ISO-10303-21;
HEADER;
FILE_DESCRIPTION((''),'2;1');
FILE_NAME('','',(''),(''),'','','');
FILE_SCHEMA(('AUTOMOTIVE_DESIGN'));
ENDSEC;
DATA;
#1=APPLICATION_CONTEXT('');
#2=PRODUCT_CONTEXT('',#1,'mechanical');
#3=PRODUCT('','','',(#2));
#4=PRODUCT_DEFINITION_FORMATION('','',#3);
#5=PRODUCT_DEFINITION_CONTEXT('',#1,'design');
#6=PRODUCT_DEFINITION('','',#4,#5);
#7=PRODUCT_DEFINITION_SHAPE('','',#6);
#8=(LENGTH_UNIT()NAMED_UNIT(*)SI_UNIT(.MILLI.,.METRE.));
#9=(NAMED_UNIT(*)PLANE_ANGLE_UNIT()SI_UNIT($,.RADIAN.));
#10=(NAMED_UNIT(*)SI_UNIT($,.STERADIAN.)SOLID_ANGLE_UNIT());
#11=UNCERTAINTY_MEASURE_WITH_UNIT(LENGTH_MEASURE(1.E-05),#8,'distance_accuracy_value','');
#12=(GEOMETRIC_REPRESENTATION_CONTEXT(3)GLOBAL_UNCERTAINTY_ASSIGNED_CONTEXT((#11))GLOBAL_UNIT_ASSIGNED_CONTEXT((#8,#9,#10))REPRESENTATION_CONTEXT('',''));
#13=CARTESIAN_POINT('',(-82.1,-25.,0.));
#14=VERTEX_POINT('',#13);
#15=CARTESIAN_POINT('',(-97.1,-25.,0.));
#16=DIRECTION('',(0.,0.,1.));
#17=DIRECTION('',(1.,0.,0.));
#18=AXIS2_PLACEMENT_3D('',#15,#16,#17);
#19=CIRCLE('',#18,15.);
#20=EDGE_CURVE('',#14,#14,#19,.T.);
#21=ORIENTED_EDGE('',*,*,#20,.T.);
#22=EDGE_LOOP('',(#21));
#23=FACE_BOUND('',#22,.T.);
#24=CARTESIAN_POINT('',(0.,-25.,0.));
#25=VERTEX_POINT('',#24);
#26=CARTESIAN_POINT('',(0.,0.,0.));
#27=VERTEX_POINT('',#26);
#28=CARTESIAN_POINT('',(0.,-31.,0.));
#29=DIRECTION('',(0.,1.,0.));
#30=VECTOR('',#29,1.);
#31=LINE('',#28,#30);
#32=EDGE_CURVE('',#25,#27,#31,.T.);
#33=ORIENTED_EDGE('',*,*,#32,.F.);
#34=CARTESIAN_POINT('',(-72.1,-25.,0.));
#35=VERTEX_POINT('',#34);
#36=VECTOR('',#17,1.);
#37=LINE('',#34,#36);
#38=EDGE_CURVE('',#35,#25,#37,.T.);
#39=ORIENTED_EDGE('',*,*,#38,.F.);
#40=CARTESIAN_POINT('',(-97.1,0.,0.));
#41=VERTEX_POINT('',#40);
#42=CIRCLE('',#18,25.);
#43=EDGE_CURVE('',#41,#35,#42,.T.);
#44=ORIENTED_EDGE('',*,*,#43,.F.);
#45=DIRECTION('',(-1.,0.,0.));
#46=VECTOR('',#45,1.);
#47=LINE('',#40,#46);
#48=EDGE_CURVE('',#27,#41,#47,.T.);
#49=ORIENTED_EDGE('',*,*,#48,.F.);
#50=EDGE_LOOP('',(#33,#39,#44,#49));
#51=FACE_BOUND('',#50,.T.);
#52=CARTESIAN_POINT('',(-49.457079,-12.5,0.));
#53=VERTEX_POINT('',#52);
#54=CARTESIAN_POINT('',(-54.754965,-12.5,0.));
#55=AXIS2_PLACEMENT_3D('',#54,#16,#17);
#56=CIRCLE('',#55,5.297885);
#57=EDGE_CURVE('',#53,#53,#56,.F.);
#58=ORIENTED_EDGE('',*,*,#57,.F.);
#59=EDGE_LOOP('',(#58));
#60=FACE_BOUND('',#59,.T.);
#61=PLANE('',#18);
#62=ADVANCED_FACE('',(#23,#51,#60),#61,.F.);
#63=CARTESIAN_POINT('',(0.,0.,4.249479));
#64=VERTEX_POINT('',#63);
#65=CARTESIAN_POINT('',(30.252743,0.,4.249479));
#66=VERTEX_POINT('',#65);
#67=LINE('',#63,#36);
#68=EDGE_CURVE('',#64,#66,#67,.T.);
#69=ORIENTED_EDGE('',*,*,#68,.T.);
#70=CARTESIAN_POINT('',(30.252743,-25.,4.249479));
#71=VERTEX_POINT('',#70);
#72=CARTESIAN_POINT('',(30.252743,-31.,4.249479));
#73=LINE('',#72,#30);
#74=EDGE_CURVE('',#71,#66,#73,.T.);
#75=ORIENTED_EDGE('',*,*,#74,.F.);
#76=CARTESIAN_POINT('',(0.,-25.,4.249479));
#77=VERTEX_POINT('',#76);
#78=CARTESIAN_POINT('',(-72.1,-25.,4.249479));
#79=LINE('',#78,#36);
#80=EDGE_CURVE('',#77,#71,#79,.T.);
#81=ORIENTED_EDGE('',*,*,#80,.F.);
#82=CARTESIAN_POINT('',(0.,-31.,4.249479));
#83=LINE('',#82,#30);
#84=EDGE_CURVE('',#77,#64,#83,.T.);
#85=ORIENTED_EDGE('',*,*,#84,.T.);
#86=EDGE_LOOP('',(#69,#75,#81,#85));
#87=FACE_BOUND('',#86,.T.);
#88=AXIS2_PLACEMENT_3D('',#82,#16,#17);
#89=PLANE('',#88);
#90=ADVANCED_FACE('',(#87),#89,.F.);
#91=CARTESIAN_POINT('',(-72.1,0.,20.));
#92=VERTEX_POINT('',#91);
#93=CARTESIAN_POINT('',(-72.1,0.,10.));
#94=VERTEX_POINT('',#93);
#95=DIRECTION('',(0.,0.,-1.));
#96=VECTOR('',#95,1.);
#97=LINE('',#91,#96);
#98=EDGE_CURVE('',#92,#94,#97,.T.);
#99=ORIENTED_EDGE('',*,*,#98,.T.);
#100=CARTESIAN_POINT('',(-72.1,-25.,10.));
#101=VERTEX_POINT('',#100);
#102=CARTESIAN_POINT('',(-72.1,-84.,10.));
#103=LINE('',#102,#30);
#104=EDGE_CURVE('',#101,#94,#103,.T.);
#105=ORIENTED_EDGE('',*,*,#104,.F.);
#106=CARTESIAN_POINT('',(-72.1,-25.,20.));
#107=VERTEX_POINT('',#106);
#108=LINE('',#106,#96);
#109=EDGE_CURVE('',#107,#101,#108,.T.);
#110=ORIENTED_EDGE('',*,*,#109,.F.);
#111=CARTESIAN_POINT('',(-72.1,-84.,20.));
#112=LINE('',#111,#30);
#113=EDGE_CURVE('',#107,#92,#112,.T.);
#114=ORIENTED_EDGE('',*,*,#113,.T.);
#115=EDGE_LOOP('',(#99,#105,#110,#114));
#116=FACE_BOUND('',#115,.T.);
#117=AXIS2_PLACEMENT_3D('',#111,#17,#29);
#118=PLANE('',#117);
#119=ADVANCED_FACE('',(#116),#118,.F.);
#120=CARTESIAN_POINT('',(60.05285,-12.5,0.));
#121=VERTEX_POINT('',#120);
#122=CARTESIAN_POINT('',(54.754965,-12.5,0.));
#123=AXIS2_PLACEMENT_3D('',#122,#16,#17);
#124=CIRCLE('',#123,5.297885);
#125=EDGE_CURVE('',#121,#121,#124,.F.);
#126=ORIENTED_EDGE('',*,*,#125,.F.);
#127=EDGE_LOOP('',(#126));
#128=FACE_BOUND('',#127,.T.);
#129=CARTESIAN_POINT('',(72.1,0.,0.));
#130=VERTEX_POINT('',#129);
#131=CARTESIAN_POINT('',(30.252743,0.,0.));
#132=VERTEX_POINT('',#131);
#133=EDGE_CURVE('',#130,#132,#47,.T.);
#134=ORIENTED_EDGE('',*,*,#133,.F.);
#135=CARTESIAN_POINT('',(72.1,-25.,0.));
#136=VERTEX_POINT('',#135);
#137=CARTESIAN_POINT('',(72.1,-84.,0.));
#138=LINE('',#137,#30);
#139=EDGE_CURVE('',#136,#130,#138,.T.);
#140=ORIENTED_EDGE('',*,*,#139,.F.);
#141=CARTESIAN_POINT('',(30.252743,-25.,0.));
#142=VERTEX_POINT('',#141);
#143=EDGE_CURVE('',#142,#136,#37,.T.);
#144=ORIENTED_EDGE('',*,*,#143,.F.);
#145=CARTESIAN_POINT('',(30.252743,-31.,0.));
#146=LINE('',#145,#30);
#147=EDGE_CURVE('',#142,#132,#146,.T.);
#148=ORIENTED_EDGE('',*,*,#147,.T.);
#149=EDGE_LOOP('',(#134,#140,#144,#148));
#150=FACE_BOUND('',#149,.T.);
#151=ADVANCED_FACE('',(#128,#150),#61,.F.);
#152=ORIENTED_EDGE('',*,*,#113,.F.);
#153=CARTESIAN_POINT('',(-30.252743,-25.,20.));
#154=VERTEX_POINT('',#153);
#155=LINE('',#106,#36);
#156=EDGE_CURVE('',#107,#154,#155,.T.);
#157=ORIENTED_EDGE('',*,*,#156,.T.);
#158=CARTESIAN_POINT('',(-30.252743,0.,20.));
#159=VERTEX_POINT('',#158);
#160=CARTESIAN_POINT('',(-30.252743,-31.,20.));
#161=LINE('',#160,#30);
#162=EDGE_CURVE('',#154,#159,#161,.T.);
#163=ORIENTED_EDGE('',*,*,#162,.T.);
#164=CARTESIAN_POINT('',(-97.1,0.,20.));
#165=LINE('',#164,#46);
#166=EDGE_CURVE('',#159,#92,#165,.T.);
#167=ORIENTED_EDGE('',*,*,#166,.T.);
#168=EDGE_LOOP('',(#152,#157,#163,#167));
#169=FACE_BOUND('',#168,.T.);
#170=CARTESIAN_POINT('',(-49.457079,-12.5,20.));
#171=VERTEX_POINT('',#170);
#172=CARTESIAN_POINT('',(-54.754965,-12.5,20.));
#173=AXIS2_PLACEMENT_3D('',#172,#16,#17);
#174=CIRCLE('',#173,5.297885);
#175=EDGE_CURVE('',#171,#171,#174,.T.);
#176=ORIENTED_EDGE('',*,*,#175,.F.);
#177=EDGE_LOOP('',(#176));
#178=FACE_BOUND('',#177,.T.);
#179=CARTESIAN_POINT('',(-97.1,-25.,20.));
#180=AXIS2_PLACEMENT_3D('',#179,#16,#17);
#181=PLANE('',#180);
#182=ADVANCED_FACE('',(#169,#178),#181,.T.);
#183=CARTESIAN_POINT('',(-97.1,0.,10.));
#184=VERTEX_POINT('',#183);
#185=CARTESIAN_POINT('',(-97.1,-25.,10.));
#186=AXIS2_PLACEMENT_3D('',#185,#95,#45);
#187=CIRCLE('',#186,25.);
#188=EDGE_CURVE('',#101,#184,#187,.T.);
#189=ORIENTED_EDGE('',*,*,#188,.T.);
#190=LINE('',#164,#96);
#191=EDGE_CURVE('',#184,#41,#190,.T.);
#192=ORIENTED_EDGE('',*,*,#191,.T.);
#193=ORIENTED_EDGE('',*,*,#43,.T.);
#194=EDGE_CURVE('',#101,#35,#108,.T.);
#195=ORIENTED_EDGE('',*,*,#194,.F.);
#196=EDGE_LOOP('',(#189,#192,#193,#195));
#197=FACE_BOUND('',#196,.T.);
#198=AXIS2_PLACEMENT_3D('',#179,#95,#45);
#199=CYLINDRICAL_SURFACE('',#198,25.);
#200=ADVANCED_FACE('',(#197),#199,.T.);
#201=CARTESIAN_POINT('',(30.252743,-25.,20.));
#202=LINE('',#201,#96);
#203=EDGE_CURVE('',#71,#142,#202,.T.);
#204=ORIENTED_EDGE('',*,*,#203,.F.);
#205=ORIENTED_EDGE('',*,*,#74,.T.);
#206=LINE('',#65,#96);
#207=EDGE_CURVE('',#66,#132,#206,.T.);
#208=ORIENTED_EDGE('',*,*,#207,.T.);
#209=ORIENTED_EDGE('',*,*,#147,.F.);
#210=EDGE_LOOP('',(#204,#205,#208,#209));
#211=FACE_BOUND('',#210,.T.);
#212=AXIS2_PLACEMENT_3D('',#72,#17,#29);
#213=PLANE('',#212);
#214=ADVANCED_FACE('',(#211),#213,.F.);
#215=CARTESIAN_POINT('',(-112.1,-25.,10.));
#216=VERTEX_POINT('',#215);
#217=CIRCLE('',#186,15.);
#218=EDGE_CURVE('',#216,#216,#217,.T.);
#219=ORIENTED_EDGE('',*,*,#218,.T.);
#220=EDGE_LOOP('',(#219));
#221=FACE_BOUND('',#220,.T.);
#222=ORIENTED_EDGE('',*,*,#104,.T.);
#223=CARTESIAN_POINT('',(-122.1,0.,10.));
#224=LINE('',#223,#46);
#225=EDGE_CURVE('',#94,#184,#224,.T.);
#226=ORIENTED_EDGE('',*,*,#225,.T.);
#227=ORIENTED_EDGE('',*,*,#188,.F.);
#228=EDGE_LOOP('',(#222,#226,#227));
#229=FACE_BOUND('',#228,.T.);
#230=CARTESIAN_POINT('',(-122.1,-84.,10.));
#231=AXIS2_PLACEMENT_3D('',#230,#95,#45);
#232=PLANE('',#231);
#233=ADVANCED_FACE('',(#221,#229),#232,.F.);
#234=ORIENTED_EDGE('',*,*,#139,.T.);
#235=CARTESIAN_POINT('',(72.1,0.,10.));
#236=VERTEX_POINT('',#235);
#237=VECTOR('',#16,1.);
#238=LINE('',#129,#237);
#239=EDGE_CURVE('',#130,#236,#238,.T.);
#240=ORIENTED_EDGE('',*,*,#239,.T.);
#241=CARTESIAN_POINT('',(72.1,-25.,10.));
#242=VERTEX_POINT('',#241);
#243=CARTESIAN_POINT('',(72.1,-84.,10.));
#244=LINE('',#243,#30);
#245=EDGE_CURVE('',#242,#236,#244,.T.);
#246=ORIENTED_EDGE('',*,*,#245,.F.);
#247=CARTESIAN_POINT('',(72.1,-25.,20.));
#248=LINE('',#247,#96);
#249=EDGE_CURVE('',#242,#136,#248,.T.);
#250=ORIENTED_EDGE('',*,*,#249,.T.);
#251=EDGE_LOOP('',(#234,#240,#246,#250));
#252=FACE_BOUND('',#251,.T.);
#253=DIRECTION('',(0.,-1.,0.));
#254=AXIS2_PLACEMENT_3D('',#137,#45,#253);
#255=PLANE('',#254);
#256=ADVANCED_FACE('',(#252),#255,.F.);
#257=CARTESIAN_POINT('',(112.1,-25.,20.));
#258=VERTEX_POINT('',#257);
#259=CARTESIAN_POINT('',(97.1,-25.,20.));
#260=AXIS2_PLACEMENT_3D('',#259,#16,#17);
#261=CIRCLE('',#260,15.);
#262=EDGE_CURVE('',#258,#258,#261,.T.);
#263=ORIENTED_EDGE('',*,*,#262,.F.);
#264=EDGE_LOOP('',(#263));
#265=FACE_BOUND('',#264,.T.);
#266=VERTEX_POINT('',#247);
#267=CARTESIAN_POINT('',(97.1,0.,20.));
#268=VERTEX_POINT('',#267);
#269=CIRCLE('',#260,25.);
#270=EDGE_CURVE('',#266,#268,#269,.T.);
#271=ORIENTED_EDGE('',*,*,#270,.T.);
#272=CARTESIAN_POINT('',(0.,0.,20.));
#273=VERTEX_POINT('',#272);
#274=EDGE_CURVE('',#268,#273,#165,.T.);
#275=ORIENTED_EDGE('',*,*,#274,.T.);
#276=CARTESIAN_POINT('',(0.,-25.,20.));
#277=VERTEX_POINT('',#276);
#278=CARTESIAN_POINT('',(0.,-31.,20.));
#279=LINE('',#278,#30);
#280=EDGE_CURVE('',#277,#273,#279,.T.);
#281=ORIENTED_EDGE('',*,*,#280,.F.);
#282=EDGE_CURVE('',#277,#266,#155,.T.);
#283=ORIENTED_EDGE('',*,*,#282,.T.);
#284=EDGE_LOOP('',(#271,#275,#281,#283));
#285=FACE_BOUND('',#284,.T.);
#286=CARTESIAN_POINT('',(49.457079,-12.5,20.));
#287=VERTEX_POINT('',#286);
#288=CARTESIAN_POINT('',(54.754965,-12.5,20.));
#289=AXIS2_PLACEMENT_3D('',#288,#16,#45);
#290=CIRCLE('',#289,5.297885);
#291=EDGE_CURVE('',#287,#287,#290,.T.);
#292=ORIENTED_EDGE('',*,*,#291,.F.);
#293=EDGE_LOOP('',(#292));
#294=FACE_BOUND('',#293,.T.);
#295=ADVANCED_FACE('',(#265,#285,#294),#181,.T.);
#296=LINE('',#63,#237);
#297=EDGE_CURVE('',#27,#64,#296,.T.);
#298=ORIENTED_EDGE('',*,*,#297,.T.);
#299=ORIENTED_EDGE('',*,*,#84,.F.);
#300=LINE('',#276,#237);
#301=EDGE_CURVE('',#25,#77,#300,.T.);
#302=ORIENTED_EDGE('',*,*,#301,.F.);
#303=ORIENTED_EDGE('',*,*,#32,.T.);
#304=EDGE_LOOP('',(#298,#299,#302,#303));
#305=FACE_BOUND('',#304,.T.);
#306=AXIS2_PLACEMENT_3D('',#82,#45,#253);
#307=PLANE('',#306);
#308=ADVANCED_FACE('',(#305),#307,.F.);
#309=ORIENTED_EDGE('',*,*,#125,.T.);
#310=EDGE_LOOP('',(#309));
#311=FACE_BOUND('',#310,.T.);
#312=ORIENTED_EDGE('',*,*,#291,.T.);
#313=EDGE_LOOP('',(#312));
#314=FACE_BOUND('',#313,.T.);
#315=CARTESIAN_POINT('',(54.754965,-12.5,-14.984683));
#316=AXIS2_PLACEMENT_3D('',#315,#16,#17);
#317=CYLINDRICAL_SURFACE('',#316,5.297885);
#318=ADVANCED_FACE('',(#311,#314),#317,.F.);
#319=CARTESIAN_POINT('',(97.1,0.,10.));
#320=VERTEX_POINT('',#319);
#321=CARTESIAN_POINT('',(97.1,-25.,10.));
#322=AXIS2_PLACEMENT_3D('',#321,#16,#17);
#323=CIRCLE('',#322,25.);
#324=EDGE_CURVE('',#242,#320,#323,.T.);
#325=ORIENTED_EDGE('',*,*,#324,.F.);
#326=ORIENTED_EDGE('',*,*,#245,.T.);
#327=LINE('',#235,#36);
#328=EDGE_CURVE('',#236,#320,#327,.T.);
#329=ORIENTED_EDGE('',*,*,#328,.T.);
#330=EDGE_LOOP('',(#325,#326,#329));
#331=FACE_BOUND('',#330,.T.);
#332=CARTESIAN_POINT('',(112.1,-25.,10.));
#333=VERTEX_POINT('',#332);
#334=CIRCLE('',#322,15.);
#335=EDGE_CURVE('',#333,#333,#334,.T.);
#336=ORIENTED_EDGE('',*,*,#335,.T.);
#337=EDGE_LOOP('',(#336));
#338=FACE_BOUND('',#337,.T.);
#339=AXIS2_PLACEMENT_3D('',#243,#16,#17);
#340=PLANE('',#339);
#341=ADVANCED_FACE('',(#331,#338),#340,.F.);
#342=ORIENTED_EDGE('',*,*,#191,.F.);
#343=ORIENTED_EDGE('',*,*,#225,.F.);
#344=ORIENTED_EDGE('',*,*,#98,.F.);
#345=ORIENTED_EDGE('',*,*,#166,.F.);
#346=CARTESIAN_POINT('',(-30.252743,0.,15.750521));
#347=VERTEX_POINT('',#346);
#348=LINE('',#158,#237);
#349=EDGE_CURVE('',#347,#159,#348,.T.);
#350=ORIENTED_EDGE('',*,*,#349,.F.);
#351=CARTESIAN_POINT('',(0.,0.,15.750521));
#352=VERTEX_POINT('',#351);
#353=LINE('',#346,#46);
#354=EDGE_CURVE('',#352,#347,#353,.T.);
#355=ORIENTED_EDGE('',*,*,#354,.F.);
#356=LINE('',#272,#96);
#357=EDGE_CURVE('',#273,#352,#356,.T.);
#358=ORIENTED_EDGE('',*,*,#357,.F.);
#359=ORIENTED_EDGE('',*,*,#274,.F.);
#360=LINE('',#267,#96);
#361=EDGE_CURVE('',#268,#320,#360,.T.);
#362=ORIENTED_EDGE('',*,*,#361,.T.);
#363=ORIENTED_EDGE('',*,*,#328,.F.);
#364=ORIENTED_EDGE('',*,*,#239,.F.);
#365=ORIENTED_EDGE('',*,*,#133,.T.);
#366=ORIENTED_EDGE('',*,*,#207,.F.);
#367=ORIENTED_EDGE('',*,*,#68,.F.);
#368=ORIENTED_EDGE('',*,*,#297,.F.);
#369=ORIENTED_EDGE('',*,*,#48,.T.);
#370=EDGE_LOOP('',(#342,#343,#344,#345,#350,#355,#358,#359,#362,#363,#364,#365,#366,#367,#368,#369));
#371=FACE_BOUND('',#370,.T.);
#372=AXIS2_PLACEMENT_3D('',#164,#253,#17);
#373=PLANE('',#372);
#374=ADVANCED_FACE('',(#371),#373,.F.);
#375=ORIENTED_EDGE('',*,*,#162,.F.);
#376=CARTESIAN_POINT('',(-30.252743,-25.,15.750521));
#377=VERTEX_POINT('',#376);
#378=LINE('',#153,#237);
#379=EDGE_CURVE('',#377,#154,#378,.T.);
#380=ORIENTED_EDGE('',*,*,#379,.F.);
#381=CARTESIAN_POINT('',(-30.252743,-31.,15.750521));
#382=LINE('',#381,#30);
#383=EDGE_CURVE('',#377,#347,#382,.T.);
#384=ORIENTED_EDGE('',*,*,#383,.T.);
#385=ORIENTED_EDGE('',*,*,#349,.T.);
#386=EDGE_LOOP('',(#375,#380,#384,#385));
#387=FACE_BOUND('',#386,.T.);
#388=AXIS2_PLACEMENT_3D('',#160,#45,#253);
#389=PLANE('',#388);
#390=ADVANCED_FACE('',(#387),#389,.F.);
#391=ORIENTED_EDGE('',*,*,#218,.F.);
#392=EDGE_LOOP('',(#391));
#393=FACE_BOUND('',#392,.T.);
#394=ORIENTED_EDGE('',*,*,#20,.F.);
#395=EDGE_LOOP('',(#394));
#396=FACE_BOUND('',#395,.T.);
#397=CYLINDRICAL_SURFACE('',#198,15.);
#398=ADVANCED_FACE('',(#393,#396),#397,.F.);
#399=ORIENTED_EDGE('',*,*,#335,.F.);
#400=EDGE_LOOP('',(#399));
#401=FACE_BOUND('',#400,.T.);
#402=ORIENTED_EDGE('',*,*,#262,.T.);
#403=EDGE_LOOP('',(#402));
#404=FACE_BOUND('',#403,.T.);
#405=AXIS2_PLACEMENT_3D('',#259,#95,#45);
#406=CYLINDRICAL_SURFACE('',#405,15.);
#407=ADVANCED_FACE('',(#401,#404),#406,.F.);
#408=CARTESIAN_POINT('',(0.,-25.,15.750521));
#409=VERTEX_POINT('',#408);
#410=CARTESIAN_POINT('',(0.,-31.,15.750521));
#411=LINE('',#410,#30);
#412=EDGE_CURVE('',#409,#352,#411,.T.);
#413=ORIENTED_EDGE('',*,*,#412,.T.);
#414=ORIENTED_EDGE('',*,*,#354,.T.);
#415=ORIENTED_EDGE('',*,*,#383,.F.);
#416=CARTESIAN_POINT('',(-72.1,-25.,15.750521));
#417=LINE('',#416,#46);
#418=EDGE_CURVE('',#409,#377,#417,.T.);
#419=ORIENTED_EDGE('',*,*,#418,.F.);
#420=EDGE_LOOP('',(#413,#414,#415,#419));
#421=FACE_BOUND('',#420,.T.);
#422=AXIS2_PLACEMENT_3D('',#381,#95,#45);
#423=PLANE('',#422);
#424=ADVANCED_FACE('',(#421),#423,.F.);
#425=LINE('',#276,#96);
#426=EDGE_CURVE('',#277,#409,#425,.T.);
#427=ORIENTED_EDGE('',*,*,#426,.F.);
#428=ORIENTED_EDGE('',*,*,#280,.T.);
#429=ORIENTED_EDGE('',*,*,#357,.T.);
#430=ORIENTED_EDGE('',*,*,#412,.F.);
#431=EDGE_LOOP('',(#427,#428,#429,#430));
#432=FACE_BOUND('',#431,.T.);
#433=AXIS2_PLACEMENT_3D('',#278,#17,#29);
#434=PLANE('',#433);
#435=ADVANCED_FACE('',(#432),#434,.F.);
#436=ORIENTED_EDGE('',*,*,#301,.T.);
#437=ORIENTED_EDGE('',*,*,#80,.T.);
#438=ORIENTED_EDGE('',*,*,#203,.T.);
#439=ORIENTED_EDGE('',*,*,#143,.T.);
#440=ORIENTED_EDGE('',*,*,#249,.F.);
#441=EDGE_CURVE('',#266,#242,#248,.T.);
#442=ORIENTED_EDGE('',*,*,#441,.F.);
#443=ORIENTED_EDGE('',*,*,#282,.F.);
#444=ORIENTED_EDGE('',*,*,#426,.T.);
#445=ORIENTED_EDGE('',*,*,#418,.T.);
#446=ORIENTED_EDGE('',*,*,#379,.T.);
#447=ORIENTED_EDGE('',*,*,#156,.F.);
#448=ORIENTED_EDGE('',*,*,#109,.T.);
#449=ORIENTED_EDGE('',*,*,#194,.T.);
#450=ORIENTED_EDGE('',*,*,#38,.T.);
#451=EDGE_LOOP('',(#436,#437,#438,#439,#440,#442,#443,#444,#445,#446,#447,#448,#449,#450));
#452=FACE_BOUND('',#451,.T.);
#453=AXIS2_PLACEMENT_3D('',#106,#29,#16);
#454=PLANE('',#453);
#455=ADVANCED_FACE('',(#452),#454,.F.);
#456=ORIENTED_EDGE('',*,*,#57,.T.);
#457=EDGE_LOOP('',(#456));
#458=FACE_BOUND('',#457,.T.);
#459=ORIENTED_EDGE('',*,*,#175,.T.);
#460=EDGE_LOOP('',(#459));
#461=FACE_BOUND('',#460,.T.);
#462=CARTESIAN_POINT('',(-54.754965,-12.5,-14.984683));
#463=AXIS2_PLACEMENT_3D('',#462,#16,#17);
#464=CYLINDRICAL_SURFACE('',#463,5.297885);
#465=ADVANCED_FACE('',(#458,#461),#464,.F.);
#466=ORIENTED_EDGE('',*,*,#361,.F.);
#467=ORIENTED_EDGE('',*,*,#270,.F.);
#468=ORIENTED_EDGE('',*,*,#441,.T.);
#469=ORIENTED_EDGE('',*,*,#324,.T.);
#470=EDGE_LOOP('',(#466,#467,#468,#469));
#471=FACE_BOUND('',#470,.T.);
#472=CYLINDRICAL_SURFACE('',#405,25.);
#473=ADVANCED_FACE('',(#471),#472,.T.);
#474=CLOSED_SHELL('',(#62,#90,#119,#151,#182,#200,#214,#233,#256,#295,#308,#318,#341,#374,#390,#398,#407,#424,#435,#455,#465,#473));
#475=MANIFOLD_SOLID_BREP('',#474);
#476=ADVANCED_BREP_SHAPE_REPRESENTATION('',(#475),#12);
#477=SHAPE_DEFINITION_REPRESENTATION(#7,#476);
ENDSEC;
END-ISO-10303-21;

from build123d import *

# Parameters (mm, degrees)
SKETCH1_R           = 15
BOSS_EXTRUDE1_DEPTH = 20
SKETCH2_W           = 50
SKETCH2_H           = 10
CUT_EXTRUDE1_DEPTH  = 84
SKETCH3_R           = 5.297885383
CUT_EXTRUDE2_DEPTH  = 20
SKETCH4_W           = 30.252743008
SKETCH4_H           = 4.249478602
CUT_EXTRUDE3_DEPTH  = 31


with BuildPart() as part:
    # Sketch1 → Boss-Extrude1 (new body)
    with BuildSketch(Plane.XY):
        with BuildLine():
            Line((-72.1, -25), (72.1, -25))
            ThreePointArc((72.1, -25), (114.77766953, -42.67766953), (97.1, 0))
            Line((97.1, 0), (-97.1, 0))
            ThreePointArc((-97.1, 0), (-114.77766953, -42.67766953), (-72.1, -25))
        make_face()
        with Locations((-97.1, -25)):
            Circle(SKETCH1_R, mode=Mode.SUBTRACT)
        with Locations((97.1, -25)):
            Circle(SKETCH1_R, mode=Mode.SUBTRACT)
    extrude(amount=BOSS_EXTRUDE1_DEPTH)

    # Sketch2 → Cut-Extrude1 (cut)
    with BuildSketch(Plane(origin=(0, 0, 0), x_dir=(1, 0, 0), z_dir=(0, 1, 0))):
        with Locations((97.1, -5)):
            Rectangle(SKETCH2_W, SKETCH2_H)
        with Locations((-97.1, -15)):
            Rectangle(SKETCH2_W, SKETCH2_H)
    extrude(amount=-CUT_EXTRUDE1_DEPTH, mode=Mode.SUBTRACT)

    # Sketch3 → Cut-Extrude2 (cut)
    with BuildSketch(Plane.XY.offset(20)):
        with Locations((-54.754964617, -12.5)):
            Circle(SKETCH3_R)
        with Locations((54.754964617, -12.5)):
            Circle(SKETCH3_R)
    extrude(amount=-CUT_EXTRUDE2_DEPTH, mode=Mode.SUBTRACT)

    # Sketch4 → Cut-Extrude3 (cut)
    with BuildSketch(Plane(origin=(0, 0, 0), x_dir=(1, 0, 0), z_dir=(0, 1, 0))):
        with Locations((-15.126371504, -17.875260699)):
            Rectangle(SKETCH4_W, SKETCH4_H)
        with Locations((15.126371504, -2.124739301)):
            Rectangle(SKETCH4_W, SKETCH4_H)
    extrude(amount=-CUT_EXTRUDE3_DEPTH, mode=Mode.SUBTRACT)


solid = part.part
